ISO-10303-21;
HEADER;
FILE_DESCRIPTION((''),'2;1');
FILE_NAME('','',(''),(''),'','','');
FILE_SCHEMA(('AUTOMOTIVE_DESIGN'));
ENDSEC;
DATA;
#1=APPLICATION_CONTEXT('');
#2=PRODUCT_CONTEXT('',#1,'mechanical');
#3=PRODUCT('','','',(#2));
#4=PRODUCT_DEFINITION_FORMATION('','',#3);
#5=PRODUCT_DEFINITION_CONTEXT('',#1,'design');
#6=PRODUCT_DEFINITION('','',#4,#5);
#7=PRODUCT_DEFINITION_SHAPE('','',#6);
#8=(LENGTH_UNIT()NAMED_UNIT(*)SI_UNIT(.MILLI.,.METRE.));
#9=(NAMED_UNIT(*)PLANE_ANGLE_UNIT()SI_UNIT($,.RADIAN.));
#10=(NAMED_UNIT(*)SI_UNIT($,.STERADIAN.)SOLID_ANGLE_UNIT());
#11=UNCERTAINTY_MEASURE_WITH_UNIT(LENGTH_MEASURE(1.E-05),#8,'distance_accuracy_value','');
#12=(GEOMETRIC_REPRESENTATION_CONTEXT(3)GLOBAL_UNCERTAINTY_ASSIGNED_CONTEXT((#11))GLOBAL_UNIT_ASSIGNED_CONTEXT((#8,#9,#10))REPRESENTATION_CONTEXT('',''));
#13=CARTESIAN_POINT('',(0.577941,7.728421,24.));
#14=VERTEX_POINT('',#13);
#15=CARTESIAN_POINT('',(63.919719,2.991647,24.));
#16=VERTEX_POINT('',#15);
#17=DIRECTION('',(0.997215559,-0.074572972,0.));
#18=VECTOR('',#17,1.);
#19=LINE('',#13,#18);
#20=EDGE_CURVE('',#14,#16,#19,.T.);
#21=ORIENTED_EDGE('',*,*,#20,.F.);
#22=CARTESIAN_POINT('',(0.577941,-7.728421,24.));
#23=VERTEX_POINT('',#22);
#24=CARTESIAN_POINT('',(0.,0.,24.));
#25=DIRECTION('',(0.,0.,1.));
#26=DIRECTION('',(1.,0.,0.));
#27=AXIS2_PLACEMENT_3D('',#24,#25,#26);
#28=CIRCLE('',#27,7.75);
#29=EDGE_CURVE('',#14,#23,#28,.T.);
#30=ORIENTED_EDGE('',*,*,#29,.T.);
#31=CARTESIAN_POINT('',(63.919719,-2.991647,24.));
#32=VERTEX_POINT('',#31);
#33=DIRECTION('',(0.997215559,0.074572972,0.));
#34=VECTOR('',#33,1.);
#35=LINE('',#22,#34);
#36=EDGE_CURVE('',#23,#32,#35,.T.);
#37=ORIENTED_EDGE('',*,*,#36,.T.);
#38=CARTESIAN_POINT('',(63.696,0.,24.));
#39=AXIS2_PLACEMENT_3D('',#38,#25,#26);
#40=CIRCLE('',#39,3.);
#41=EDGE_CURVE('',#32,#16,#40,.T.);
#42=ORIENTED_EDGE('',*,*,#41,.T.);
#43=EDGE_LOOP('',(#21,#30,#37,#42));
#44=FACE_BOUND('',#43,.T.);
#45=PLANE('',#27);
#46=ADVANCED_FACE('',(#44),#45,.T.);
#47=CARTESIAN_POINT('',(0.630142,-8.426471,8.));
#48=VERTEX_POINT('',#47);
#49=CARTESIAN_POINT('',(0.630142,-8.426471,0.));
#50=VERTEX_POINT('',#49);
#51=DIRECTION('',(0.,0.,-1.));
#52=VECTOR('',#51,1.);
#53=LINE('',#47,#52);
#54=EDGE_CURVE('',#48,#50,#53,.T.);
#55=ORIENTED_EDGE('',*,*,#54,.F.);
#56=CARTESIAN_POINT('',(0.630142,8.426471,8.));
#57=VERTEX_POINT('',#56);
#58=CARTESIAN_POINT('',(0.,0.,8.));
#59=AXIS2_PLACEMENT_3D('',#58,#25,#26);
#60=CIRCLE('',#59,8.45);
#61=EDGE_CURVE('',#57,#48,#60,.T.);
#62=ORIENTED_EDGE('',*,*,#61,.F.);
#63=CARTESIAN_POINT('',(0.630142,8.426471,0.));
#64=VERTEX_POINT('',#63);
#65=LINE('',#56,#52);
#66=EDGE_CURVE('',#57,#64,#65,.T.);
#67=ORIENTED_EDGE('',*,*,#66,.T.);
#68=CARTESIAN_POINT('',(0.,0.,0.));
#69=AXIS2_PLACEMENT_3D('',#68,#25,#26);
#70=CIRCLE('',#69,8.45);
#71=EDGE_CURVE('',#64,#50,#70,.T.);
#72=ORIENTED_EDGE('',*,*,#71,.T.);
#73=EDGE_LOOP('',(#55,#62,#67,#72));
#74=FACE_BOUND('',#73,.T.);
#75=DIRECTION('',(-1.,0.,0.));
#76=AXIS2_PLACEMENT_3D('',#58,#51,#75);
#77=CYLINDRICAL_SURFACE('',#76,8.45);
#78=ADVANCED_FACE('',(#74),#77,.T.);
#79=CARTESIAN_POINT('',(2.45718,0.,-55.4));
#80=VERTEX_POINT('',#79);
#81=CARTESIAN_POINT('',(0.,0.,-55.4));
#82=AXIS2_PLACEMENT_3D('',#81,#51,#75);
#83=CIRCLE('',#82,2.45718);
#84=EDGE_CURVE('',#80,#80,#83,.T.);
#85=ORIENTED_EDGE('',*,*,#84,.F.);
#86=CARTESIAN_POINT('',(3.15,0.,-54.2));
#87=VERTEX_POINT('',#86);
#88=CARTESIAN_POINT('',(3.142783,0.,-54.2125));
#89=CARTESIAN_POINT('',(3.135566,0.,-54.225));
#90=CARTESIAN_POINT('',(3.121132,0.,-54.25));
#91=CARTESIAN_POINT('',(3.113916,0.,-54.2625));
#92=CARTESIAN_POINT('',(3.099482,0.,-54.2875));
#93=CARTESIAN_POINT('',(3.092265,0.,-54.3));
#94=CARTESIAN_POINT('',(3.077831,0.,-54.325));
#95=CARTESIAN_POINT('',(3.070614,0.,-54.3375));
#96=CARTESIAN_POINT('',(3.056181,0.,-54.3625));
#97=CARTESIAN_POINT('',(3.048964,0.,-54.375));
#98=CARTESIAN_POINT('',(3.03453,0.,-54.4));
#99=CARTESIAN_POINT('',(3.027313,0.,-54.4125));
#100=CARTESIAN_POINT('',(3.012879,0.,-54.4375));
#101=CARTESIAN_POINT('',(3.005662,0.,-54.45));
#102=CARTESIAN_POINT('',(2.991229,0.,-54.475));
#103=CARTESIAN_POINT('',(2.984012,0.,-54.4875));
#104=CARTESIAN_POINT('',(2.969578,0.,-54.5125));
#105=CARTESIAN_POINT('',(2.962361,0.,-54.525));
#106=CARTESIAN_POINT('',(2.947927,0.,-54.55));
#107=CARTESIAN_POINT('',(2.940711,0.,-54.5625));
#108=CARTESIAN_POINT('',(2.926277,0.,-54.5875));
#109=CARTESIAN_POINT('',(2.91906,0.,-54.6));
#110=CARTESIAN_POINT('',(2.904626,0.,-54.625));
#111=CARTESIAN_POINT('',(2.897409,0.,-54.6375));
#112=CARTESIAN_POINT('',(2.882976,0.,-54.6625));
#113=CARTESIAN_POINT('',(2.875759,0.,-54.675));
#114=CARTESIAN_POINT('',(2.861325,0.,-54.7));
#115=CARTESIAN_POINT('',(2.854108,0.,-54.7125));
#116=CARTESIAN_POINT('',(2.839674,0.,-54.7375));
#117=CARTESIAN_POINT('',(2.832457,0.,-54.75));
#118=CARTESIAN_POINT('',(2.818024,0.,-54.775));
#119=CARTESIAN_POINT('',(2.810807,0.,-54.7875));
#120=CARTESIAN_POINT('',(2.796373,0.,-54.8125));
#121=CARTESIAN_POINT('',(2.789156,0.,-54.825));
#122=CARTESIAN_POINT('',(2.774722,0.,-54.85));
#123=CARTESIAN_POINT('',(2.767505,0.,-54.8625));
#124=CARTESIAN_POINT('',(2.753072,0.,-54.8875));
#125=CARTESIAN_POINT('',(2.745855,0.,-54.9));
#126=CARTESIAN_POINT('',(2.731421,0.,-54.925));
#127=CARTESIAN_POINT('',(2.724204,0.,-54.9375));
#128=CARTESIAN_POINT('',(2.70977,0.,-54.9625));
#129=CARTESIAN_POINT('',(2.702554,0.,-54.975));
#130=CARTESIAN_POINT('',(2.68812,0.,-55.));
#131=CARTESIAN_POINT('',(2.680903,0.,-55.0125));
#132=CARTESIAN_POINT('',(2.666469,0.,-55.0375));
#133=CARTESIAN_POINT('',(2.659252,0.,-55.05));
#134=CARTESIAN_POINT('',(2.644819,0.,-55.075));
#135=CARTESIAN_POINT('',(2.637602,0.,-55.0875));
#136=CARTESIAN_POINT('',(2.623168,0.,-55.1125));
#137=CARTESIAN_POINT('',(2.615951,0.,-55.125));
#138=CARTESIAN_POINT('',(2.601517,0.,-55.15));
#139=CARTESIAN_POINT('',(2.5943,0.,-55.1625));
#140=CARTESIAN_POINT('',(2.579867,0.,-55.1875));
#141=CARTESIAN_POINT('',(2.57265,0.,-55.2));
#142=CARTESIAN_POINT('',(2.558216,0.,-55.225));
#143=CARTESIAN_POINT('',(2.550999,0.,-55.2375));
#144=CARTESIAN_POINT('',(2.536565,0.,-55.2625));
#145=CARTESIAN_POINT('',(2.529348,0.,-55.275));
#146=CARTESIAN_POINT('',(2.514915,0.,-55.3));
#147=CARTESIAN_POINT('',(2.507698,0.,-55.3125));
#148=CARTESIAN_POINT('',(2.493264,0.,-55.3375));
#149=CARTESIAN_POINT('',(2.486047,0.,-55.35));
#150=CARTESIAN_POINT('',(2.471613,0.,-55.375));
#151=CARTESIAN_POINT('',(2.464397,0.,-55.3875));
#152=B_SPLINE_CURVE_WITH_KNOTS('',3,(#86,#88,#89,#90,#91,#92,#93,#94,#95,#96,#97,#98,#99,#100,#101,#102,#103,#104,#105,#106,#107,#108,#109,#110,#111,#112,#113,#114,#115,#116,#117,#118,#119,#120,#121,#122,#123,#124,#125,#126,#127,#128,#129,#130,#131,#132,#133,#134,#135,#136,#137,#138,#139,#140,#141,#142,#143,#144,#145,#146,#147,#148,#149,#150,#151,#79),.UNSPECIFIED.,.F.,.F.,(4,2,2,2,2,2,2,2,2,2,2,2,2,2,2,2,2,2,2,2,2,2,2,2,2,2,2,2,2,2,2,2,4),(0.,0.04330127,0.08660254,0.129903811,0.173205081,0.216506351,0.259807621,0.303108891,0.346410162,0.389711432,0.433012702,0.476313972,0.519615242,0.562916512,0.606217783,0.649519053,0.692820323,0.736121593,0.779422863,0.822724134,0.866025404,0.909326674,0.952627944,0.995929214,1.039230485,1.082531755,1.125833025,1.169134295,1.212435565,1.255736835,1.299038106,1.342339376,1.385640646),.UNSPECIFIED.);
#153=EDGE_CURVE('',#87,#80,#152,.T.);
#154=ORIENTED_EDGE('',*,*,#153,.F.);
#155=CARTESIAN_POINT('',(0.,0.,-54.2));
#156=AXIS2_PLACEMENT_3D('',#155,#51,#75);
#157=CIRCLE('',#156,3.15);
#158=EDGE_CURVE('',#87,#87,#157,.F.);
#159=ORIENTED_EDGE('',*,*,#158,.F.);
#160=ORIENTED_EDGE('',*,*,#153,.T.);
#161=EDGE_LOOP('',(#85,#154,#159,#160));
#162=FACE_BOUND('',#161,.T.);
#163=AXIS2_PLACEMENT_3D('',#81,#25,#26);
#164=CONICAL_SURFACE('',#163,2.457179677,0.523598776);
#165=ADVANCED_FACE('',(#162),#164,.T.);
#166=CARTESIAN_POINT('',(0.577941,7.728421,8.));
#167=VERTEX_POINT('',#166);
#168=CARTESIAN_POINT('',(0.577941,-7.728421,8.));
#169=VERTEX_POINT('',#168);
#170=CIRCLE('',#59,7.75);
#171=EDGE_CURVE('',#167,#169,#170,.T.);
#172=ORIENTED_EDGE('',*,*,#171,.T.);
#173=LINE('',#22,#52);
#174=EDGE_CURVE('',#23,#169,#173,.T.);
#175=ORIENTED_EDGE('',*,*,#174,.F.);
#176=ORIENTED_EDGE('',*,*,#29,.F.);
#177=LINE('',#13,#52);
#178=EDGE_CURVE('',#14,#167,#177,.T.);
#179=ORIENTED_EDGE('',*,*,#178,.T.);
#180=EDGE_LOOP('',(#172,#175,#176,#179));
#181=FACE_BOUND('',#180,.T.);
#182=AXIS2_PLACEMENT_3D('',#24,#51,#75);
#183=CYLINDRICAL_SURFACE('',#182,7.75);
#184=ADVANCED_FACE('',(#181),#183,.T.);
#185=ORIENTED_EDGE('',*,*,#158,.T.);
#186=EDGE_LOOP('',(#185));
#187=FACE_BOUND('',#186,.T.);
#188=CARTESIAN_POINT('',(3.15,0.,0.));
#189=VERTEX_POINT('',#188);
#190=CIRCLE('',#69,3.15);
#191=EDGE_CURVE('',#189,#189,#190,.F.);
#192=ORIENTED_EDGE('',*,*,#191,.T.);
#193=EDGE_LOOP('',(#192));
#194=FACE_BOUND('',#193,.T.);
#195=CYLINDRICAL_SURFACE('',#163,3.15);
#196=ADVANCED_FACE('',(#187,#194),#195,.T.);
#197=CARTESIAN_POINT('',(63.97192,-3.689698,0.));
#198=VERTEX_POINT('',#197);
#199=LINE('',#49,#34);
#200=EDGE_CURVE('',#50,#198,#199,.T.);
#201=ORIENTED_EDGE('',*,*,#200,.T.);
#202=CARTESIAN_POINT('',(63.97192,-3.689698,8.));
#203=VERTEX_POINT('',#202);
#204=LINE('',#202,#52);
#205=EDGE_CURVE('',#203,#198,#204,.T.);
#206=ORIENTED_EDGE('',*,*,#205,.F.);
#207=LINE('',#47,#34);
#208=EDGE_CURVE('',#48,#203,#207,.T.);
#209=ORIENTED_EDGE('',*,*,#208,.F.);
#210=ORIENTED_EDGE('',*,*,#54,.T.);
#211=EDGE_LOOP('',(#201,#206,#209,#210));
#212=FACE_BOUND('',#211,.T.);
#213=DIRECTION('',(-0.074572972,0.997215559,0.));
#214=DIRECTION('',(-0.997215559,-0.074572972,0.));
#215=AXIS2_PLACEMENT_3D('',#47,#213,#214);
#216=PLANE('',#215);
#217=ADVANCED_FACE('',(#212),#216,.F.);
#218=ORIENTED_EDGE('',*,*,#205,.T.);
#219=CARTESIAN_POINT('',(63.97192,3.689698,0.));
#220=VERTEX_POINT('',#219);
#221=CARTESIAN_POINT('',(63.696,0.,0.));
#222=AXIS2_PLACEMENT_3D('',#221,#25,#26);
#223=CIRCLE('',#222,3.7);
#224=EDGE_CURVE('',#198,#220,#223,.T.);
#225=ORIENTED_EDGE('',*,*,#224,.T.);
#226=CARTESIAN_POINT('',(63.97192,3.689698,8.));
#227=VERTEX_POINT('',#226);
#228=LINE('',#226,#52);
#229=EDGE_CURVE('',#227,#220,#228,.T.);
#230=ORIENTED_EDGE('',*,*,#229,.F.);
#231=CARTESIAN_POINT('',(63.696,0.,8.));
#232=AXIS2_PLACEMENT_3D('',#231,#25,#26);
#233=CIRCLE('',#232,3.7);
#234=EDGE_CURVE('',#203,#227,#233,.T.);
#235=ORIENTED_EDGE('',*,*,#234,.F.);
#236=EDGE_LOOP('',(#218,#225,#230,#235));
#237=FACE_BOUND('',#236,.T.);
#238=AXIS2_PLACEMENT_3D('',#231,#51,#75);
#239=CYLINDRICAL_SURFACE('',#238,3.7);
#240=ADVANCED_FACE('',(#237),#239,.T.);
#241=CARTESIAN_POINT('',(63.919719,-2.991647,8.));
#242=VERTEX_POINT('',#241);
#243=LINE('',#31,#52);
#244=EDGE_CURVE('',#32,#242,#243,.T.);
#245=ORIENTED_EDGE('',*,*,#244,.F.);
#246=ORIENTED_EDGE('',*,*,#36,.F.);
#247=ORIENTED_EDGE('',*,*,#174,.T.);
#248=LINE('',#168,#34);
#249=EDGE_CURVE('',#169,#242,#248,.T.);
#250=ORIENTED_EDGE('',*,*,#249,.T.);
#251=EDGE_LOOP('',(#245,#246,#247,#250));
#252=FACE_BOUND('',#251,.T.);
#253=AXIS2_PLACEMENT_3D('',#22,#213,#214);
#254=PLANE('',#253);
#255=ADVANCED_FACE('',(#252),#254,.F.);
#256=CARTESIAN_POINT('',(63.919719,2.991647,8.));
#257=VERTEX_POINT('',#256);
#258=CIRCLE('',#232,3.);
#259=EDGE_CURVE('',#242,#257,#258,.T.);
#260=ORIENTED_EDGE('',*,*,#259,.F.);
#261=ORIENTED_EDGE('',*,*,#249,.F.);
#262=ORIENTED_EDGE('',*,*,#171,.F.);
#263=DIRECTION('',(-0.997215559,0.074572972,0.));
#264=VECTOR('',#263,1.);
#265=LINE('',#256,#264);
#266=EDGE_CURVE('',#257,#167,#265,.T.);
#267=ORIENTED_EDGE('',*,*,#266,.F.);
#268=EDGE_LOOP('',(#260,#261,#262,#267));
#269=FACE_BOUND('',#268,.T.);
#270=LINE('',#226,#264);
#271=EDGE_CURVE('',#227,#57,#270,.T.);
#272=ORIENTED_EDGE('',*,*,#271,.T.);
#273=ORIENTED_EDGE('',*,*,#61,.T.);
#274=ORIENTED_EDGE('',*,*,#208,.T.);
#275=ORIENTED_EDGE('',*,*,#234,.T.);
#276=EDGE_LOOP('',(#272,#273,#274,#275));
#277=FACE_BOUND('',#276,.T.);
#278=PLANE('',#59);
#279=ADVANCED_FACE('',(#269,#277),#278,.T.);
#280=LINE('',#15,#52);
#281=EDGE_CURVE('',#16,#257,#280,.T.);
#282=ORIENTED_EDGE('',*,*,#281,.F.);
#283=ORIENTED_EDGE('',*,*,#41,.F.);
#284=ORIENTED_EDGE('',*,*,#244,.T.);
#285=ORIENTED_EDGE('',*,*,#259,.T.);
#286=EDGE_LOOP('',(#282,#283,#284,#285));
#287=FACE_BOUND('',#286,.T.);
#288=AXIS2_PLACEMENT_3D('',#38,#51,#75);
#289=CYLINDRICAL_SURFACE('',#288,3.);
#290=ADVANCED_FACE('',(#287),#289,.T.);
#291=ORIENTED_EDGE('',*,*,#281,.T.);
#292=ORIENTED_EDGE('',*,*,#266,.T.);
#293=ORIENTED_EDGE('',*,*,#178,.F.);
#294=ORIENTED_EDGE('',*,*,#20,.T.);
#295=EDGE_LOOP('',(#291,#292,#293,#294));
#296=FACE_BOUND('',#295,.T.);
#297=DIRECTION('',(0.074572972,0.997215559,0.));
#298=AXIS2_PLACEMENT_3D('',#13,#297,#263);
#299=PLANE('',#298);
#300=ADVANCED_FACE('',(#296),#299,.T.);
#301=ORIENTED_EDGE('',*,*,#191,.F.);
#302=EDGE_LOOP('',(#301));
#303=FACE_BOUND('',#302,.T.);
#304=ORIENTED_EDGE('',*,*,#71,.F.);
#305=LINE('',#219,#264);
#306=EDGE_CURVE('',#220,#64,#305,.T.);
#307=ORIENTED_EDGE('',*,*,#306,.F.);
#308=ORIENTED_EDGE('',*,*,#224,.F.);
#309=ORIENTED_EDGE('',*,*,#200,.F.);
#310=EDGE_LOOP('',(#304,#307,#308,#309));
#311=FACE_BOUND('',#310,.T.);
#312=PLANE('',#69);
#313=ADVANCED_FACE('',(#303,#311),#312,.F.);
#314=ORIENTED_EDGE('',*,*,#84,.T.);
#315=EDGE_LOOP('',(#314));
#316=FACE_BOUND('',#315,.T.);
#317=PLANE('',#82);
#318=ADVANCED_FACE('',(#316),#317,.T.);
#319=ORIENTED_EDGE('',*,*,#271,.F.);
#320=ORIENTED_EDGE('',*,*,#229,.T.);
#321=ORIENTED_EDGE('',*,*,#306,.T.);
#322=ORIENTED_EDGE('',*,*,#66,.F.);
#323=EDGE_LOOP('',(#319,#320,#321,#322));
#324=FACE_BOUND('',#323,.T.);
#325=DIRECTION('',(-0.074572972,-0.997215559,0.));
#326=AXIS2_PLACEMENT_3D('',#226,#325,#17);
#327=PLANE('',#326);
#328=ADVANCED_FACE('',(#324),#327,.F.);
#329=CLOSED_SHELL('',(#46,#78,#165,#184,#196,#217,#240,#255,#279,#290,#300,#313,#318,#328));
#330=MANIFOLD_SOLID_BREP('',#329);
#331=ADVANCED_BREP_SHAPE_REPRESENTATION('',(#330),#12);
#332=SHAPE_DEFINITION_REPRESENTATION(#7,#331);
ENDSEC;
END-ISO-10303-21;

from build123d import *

# Parameters (mm, degrees)
SALIENTE_EXTRUIR1_DEPTH = 24
SALIENTE_EXTRUIR2_DEPTH = 8
CROQUIS3_R              = 3.15
SALIENTE_EXTRUIR3_DEPTH = 55.4
CHAFL_N1_SIZE           = 1.2
CHAFL_N1_SIZE2          = 0.692820323


with BuildPart() as part:
    # Croquis1 → Saliente-Extruir1 (new body)
    with BuildSketch(Plane.XY):
        with BuildLine():
            Line((63.919718915, 2.991646678), (0.57794053, 7.728420585))
            ThreePointArc((0.57794053, 7.728420585), (-7.75, 0), (0.57794053, -7.728420585))
            Line((0.57794053, -7.728420585), (63.919718915, -2.991646678))
            ThreePointArc((63.919718915, -2.991646678), (66.696, 0), (63.919718915, 2.991646678))
        make_face()
    extrude(amount=SALIENTE_EXTRUIR1_DEPTH)

    # Croquis2 → Saliente-Extruir2 (add)
    with BuildSketch(Plane.XY):
        with BuildLine():
            Line((0.63014161, -8.426471477), (63.971919995, -3.68969757))
            ThreePointArc((63.971919995, -3.68969757), (67.396, 0), (63.971919995, 3.68969757))
            Line((63.971919995, 3.68969757), (0.63014161, 8.426471477))
            ThreePointArc((0.63014161, 8.426471477), (-8.45, 0), (0.63014161, -8.426471477))
        make_face()
        with BuildLine():
            Line((63.919718915, 2.991646678), (0.57794053, 7.728420585))
            ThreePointArc((0.57794053, 7.728420585), (-7.75, 0), (0.57794053, -7.728420585))
            Line((0.57794053, -7.728420585), (63.919718915, -2.991646678))
            ThreePointArc((63.919718915, -2.991646678), (66.696, 0), (63.919718915, 2.991646678))
        make_face(mode=Mode.SUBTRACT)
    extrude(amount=SALIENTE_EXTRUIR2_DEPTH)

    # Croquis3 → Saliente-Extruir3 (add)
    with BuildSketch(Plane(origin=(0, 0, 0), x_dir=(-1, 0, 0), z_dir=(0, 0, -1))):
        Circle(CROQUIS3_R)
    extrude(amount=SALIENTE_EXTRUIR3_DEPTH)

    # Chaflán1
    chafl_n1_edges = [part.edges().sort_by_distance(p)[0] for p in [
        (3.15, 0, -55.4),
    ]]
    chafl_n1_side = [part.faces().sort_by_distance(p)[0] for p in [
        (3.15, 0, -27.7),
    ]]
    chamfer(chafl_n1_edges, length=CHAFL_N1_SIZE, length2=CHAFL_N1_SIZE2, reference=chafl_n1_side[0])


solid = part.part
